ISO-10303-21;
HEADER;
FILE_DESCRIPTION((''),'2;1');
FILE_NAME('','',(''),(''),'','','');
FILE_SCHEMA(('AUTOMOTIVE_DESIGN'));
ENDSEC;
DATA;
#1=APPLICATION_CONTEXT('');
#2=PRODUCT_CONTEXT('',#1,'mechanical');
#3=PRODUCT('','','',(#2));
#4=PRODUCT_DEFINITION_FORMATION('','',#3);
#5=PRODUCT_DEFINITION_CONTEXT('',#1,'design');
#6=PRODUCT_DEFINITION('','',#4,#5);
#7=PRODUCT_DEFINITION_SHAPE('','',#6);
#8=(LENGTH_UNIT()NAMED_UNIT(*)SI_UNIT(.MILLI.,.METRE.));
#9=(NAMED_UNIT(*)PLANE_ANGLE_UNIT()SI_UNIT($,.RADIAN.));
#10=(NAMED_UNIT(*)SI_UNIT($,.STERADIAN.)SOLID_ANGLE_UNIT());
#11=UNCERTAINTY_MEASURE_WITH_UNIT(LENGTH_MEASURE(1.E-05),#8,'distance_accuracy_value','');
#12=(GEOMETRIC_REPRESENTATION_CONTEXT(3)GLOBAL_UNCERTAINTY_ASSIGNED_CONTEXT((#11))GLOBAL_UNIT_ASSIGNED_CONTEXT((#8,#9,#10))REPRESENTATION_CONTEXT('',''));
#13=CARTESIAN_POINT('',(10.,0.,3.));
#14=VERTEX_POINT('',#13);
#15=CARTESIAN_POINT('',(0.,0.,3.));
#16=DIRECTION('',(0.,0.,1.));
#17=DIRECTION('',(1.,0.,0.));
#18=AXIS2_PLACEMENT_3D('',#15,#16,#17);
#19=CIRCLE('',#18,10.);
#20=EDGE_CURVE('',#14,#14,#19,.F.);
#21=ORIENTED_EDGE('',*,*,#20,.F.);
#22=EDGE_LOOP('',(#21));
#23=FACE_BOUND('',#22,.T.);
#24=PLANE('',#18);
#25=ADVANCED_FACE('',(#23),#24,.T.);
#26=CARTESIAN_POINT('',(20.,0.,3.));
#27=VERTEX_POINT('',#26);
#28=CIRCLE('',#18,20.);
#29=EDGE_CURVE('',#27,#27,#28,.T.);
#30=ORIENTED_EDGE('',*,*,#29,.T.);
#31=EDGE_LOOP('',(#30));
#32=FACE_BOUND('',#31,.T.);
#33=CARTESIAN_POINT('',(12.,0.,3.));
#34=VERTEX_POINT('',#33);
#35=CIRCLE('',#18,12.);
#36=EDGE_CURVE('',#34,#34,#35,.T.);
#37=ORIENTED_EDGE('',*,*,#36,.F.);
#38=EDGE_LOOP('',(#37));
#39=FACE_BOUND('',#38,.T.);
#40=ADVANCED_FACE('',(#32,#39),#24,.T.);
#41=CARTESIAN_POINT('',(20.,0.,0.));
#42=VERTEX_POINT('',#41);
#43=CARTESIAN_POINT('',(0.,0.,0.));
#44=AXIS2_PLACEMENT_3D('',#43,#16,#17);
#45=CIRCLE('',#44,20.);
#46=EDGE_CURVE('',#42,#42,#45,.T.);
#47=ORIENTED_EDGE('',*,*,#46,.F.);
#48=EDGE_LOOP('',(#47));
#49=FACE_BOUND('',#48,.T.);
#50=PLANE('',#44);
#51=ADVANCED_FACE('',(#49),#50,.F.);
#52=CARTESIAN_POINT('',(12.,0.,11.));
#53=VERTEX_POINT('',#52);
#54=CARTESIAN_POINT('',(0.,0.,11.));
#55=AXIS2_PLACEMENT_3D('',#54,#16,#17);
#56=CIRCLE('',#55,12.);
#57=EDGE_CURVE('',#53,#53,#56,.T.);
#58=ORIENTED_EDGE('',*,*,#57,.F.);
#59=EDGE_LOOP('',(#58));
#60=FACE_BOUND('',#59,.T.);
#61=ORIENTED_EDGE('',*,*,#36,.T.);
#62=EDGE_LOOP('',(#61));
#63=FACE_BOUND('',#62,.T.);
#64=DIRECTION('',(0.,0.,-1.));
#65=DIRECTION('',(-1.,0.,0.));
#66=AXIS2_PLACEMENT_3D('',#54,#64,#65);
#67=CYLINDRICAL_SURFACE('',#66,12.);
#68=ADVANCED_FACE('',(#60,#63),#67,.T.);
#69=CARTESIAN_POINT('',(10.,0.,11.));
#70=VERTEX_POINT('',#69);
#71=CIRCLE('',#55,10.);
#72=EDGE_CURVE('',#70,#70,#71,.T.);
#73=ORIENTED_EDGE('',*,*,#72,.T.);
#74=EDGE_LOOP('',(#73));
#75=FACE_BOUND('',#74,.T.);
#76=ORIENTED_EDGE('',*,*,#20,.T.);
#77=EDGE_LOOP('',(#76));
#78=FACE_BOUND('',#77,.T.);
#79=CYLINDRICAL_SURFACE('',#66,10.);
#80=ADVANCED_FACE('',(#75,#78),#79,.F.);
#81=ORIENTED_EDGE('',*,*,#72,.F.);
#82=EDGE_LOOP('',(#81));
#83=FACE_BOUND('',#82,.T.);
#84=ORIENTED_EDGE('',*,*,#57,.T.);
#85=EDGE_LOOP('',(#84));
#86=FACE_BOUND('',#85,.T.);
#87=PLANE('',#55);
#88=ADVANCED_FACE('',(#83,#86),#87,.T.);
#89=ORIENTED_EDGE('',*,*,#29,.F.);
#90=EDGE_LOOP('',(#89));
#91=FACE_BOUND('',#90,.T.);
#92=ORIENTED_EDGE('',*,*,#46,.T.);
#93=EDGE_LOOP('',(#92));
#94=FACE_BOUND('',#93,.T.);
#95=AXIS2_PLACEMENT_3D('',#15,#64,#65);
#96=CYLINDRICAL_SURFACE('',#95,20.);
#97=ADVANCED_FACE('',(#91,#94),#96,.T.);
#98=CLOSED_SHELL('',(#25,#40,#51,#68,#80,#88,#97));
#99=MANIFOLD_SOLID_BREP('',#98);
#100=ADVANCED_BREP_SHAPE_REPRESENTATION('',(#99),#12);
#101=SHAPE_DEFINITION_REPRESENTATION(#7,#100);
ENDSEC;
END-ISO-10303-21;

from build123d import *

# Parameters (mm, degrees)
SKETCH1_R           = 20
BOSS_EXTRUDE1_DEPTH = 3
SKETCH2_R           = 12
SKETCH2_R_2         = 10
BOSS_EXTRUDE2_DEPTH = 8


with BuildPart() as part:
    # Sketch1 → Boss-Extrude1 (new body)
    with BuildSketch(Plane.XY):
        Circle(SKETCH1_R)
    extrude(amount=BOSS_EXTRUDE1_DEPTH)

    # Sketch2 → Boss-Extrude2 (add)
    with BuildSketch(Plane.XY.offset(3)):
        Circle(SKETCH2_R)
        Circle(SKETCH2_R_2, mode=Mode.SUBTRACT)
    extrude(amount=BOSS_EXTRUDE2_DEPTH)


solid = part.part
